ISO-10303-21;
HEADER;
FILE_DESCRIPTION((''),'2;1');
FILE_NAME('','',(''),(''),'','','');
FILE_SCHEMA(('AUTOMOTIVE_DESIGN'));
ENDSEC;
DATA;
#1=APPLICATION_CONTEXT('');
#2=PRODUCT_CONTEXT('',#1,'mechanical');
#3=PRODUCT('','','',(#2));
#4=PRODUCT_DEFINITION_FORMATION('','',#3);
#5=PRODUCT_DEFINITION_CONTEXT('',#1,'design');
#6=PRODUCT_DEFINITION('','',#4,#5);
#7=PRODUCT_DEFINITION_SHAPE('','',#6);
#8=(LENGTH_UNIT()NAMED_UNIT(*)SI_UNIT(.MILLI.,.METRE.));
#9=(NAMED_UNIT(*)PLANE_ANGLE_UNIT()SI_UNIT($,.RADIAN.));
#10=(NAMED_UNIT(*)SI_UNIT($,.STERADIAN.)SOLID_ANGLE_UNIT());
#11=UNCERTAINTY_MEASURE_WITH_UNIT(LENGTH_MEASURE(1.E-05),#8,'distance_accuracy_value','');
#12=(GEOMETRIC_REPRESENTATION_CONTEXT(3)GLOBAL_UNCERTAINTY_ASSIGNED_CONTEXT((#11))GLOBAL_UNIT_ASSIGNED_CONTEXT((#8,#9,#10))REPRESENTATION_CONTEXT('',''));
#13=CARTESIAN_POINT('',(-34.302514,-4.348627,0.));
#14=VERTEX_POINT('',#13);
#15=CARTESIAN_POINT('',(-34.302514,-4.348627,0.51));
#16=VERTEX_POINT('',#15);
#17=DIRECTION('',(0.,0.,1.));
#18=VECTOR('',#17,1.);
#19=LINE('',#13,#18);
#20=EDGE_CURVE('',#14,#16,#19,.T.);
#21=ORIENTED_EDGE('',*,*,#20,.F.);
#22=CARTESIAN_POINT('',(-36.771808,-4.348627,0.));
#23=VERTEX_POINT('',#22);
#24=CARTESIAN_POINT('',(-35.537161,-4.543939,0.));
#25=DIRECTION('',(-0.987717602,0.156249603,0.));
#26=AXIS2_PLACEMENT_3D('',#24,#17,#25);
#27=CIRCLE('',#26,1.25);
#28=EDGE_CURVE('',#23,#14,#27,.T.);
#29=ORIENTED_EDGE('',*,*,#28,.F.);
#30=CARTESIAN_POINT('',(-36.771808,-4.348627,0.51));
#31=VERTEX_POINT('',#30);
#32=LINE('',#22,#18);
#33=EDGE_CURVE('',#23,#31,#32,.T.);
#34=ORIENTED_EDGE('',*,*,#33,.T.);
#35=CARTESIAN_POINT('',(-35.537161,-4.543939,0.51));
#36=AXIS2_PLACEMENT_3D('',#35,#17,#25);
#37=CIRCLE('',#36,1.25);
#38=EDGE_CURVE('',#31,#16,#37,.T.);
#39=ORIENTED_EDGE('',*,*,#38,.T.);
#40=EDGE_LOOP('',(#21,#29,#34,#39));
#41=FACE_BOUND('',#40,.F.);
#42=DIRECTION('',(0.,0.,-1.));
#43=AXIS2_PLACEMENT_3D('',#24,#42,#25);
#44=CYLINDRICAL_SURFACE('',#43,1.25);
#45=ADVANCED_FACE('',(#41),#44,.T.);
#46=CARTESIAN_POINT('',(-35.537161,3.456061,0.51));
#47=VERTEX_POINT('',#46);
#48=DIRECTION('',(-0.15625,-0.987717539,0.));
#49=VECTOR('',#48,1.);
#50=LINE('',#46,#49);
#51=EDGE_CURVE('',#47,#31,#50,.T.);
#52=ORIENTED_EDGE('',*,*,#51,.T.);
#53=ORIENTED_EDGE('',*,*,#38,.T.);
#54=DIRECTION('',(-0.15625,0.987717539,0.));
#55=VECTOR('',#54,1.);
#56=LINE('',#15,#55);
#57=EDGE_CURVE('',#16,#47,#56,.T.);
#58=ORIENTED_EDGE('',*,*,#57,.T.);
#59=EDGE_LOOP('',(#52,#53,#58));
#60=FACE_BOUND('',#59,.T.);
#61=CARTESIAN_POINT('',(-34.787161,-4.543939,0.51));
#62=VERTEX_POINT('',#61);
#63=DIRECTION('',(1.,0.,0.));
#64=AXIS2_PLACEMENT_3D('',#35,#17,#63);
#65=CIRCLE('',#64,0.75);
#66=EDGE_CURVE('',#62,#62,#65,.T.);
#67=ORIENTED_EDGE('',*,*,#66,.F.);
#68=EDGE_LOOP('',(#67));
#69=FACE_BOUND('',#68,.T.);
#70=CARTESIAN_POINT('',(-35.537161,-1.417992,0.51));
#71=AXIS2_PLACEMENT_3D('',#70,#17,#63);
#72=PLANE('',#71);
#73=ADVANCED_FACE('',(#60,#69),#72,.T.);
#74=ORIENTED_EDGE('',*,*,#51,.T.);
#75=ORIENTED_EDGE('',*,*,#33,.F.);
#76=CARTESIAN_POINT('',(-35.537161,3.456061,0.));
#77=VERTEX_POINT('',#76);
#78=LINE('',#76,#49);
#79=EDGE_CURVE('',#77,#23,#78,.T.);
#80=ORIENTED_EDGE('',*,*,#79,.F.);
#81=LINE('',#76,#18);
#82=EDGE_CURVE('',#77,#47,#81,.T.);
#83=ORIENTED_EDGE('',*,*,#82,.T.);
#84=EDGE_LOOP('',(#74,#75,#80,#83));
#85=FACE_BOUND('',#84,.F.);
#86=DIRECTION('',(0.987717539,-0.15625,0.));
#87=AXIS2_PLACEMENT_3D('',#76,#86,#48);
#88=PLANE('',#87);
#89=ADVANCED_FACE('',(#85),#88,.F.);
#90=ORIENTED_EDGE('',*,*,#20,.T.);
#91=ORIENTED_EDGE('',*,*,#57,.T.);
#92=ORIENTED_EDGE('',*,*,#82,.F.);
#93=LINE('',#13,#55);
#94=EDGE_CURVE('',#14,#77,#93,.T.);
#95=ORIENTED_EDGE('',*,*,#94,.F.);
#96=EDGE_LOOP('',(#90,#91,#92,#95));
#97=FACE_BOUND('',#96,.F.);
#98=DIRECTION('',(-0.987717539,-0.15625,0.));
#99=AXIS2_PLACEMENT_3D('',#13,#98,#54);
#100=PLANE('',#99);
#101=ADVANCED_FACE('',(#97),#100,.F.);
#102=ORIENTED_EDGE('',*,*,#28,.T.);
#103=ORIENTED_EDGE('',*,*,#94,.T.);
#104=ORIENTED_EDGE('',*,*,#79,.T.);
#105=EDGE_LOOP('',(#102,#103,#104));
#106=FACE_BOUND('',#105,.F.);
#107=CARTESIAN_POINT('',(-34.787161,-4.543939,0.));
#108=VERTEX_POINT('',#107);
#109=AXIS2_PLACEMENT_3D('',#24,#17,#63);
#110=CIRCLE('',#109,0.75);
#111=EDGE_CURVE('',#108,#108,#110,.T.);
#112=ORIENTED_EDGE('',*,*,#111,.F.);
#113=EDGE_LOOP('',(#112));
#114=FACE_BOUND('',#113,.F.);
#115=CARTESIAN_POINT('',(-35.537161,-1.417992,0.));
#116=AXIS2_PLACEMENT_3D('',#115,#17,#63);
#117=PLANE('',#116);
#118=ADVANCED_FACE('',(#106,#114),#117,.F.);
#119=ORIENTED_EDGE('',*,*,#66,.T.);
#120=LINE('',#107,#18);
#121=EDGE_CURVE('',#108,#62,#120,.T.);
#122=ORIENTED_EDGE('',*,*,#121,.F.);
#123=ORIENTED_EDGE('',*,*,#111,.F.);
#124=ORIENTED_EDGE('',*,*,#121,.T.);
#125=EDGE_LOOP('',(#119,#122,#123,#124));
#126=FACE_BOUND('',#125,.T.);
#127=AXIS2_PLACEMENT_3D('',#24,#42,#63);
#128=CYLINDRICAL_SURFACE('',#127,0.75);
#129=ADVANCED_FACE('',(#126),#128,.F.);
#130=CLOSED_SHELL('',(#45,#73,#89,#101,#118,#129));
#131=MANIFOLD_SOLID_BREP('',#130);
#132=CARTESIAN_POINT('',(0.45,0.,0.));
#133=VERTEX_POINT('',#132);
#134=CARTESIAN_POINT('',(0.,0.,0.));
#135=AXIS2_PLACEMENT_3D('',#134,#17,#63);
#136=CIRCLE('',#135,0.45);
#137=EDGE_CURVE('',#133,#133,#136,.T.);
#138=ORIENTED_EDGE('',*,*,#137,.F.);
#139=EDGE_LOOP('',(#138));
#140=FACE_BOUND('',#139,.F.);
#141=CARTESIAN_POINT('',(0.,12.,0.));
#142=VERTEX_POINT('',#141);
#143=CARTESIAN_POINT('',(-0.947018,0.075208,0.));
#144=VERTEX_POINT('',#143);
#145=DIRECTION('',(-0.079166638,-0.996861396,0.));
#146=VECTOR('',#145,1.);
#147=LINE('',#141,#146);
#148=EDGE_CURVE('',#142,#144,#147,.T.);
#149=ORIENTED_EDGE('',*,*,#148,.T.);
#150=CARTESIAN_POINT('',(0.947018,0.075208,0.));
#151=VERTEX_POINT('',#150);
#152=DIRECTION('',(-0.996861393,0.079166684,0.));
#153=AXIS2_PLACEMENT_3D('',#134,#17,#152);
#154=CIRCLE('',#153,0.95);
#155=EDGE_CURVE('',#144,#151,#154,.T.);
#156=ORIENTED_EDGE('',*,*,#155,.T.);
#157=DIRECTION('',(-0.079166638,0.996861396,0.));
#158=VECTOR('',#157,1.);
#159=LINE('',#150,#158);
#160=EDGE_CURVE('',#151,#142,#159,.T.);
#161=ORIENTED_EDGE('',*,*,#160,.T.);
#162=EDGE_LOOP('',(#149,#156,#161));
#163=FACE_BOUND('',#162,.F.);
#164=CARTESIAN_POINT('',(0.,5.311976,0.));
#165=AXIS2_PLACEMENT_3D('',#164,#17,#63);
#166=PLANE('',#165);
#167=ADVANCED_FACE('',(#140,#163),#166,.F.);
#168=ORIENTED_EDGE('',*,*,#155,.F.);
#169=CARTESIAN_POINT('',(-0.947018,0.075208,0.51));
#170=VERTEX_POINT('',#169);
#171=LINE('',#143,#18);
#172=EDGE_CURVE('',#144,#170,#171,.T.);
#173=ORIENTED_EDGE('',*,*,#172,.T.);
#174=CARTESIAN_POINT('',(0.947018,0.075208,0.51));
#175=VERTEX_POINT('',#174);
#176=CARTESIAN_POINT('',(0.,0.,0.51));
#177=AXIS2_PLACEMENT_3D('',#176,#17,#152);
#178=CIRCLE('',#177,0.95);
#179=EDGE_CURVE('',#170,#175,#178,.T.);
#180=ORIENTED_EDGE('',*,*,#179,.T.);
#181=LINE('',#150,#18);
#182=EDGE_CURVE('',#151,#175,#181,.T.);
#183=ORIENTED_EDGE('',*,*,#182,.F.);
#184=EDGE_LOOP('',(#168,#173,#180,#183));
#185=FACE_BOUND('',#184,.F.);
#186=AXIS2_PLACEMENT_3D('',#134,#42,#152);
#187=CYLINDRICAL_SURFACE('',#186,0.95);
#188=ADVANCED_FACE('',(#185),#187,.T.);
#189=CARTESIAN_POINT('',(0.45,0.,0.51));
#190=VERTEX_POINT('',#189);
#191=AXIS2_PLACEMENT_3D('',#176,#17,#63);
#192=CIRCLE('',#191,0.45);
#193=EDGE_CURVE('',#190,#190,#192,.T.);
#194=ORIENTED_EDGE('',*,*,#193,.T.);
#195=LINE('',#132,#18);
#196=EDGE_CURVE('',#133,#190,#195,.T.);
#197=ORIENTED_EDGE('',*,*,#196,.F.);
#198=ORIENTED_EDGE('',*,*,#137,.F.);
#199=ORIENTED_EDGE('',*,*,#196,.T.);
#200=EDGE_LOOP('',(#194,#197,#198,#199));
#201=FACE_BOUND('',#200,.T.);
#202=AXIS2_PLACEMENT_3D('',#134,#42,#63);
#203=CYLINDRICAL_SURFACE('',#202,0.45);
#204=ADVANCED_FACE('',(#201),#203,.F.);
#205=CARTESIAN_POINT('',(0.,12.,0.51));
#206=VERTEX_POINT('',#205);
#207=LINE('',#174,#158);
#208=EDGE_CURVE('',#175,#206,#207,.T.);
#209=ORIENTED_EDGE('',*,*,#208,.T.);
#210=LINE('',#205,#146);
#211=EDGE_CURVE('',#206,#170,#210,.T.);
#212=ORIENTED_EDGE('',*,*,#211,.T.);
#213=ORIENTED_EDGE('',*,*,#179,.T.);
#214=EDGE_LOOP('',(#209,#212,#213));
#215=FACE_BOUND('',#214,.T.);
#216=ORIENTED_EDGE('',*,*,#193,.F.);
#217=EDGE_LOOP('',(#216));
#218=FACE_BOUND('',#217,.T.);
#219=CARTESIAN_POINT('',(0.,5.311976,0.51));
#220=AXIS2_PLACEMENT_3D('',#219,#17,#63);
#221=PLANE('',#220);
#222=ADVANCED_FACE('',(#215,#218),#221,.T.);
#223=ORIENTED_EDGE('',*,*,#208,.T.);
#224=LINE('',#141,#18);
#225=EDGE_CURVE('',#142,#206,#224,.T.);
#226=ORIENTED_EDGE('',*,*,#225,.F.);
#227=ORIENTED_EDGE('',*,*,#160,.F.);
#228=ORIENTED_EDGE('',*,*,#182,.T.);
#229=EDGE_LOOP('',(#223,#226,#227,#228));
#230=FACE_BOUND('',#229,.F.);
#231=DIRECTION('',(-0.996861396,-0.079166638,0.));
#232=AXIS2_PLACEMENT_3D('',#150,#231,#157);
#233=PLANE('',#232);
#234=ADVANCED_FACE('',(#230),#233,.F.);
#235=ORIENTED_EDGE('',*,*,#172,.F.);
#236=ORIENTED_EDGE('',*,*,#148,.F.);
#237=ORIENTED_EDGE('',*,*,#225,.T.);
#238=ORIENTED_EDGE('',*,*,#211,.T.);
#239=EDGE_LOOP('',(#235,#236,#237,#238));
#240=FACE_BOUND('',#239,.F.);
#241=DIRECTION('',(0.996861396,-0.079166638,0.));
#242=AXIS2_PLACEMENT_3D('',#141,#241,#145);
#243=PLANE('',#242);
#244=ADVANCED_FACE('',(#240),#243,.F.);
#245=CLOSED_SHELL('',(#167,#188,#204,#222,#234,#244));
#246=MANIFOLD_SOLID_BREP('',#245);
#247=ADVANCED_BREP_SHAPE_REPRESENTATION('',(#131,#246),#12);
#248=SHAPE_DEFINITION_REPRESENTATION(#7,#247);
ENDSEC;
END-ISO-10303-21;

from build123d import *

# Parameters (mm, degrees)
F0_R     = 0.45
F1_DEPTH = 0.51
F2_R     = 0.75
F3_DEPTH = 0.51


with BuildPart() as f1:
    # F0 (on Top) → F1 (new body)
    with BuildSketch(Plane.XY):
        with BuildLine():
            Line((0, 12), (-0.947018, 0.075208))
            ThreePointArc((-0.947018, 0.075208), (0, -0.95), (0.947018, 0.075208))
            Line((0.947018, 0.075208), (0, 12))
        make_face()
        Circle(F0_R, mode=Mode.SUBTRACT)
    extrude(amount=F1_DEPTH)


with BuildPart() as f3:
    # F2 (on Top) → F3 (new body)
    with BuildSketch(Plane.XY):
        with BuildLine():
            Line((-35.537161, 3.456061), (-36.771808, -4.348627))
            ThreePointArc((-36.771808, -4.348627), (-35.537161, -5.793939), (-34.302514, -4.348627))
            Line((-34.302514, -4.348627), (-35.537161, 3.456061))
        make_face()
        with Locations((-35.537161, -4.543939)):
            Circle(F2_R, mode=Mode.SUBTRACT)
    extrude(amount=F3_DEPTH)


solid = Compound([f1.part, f3.part])
